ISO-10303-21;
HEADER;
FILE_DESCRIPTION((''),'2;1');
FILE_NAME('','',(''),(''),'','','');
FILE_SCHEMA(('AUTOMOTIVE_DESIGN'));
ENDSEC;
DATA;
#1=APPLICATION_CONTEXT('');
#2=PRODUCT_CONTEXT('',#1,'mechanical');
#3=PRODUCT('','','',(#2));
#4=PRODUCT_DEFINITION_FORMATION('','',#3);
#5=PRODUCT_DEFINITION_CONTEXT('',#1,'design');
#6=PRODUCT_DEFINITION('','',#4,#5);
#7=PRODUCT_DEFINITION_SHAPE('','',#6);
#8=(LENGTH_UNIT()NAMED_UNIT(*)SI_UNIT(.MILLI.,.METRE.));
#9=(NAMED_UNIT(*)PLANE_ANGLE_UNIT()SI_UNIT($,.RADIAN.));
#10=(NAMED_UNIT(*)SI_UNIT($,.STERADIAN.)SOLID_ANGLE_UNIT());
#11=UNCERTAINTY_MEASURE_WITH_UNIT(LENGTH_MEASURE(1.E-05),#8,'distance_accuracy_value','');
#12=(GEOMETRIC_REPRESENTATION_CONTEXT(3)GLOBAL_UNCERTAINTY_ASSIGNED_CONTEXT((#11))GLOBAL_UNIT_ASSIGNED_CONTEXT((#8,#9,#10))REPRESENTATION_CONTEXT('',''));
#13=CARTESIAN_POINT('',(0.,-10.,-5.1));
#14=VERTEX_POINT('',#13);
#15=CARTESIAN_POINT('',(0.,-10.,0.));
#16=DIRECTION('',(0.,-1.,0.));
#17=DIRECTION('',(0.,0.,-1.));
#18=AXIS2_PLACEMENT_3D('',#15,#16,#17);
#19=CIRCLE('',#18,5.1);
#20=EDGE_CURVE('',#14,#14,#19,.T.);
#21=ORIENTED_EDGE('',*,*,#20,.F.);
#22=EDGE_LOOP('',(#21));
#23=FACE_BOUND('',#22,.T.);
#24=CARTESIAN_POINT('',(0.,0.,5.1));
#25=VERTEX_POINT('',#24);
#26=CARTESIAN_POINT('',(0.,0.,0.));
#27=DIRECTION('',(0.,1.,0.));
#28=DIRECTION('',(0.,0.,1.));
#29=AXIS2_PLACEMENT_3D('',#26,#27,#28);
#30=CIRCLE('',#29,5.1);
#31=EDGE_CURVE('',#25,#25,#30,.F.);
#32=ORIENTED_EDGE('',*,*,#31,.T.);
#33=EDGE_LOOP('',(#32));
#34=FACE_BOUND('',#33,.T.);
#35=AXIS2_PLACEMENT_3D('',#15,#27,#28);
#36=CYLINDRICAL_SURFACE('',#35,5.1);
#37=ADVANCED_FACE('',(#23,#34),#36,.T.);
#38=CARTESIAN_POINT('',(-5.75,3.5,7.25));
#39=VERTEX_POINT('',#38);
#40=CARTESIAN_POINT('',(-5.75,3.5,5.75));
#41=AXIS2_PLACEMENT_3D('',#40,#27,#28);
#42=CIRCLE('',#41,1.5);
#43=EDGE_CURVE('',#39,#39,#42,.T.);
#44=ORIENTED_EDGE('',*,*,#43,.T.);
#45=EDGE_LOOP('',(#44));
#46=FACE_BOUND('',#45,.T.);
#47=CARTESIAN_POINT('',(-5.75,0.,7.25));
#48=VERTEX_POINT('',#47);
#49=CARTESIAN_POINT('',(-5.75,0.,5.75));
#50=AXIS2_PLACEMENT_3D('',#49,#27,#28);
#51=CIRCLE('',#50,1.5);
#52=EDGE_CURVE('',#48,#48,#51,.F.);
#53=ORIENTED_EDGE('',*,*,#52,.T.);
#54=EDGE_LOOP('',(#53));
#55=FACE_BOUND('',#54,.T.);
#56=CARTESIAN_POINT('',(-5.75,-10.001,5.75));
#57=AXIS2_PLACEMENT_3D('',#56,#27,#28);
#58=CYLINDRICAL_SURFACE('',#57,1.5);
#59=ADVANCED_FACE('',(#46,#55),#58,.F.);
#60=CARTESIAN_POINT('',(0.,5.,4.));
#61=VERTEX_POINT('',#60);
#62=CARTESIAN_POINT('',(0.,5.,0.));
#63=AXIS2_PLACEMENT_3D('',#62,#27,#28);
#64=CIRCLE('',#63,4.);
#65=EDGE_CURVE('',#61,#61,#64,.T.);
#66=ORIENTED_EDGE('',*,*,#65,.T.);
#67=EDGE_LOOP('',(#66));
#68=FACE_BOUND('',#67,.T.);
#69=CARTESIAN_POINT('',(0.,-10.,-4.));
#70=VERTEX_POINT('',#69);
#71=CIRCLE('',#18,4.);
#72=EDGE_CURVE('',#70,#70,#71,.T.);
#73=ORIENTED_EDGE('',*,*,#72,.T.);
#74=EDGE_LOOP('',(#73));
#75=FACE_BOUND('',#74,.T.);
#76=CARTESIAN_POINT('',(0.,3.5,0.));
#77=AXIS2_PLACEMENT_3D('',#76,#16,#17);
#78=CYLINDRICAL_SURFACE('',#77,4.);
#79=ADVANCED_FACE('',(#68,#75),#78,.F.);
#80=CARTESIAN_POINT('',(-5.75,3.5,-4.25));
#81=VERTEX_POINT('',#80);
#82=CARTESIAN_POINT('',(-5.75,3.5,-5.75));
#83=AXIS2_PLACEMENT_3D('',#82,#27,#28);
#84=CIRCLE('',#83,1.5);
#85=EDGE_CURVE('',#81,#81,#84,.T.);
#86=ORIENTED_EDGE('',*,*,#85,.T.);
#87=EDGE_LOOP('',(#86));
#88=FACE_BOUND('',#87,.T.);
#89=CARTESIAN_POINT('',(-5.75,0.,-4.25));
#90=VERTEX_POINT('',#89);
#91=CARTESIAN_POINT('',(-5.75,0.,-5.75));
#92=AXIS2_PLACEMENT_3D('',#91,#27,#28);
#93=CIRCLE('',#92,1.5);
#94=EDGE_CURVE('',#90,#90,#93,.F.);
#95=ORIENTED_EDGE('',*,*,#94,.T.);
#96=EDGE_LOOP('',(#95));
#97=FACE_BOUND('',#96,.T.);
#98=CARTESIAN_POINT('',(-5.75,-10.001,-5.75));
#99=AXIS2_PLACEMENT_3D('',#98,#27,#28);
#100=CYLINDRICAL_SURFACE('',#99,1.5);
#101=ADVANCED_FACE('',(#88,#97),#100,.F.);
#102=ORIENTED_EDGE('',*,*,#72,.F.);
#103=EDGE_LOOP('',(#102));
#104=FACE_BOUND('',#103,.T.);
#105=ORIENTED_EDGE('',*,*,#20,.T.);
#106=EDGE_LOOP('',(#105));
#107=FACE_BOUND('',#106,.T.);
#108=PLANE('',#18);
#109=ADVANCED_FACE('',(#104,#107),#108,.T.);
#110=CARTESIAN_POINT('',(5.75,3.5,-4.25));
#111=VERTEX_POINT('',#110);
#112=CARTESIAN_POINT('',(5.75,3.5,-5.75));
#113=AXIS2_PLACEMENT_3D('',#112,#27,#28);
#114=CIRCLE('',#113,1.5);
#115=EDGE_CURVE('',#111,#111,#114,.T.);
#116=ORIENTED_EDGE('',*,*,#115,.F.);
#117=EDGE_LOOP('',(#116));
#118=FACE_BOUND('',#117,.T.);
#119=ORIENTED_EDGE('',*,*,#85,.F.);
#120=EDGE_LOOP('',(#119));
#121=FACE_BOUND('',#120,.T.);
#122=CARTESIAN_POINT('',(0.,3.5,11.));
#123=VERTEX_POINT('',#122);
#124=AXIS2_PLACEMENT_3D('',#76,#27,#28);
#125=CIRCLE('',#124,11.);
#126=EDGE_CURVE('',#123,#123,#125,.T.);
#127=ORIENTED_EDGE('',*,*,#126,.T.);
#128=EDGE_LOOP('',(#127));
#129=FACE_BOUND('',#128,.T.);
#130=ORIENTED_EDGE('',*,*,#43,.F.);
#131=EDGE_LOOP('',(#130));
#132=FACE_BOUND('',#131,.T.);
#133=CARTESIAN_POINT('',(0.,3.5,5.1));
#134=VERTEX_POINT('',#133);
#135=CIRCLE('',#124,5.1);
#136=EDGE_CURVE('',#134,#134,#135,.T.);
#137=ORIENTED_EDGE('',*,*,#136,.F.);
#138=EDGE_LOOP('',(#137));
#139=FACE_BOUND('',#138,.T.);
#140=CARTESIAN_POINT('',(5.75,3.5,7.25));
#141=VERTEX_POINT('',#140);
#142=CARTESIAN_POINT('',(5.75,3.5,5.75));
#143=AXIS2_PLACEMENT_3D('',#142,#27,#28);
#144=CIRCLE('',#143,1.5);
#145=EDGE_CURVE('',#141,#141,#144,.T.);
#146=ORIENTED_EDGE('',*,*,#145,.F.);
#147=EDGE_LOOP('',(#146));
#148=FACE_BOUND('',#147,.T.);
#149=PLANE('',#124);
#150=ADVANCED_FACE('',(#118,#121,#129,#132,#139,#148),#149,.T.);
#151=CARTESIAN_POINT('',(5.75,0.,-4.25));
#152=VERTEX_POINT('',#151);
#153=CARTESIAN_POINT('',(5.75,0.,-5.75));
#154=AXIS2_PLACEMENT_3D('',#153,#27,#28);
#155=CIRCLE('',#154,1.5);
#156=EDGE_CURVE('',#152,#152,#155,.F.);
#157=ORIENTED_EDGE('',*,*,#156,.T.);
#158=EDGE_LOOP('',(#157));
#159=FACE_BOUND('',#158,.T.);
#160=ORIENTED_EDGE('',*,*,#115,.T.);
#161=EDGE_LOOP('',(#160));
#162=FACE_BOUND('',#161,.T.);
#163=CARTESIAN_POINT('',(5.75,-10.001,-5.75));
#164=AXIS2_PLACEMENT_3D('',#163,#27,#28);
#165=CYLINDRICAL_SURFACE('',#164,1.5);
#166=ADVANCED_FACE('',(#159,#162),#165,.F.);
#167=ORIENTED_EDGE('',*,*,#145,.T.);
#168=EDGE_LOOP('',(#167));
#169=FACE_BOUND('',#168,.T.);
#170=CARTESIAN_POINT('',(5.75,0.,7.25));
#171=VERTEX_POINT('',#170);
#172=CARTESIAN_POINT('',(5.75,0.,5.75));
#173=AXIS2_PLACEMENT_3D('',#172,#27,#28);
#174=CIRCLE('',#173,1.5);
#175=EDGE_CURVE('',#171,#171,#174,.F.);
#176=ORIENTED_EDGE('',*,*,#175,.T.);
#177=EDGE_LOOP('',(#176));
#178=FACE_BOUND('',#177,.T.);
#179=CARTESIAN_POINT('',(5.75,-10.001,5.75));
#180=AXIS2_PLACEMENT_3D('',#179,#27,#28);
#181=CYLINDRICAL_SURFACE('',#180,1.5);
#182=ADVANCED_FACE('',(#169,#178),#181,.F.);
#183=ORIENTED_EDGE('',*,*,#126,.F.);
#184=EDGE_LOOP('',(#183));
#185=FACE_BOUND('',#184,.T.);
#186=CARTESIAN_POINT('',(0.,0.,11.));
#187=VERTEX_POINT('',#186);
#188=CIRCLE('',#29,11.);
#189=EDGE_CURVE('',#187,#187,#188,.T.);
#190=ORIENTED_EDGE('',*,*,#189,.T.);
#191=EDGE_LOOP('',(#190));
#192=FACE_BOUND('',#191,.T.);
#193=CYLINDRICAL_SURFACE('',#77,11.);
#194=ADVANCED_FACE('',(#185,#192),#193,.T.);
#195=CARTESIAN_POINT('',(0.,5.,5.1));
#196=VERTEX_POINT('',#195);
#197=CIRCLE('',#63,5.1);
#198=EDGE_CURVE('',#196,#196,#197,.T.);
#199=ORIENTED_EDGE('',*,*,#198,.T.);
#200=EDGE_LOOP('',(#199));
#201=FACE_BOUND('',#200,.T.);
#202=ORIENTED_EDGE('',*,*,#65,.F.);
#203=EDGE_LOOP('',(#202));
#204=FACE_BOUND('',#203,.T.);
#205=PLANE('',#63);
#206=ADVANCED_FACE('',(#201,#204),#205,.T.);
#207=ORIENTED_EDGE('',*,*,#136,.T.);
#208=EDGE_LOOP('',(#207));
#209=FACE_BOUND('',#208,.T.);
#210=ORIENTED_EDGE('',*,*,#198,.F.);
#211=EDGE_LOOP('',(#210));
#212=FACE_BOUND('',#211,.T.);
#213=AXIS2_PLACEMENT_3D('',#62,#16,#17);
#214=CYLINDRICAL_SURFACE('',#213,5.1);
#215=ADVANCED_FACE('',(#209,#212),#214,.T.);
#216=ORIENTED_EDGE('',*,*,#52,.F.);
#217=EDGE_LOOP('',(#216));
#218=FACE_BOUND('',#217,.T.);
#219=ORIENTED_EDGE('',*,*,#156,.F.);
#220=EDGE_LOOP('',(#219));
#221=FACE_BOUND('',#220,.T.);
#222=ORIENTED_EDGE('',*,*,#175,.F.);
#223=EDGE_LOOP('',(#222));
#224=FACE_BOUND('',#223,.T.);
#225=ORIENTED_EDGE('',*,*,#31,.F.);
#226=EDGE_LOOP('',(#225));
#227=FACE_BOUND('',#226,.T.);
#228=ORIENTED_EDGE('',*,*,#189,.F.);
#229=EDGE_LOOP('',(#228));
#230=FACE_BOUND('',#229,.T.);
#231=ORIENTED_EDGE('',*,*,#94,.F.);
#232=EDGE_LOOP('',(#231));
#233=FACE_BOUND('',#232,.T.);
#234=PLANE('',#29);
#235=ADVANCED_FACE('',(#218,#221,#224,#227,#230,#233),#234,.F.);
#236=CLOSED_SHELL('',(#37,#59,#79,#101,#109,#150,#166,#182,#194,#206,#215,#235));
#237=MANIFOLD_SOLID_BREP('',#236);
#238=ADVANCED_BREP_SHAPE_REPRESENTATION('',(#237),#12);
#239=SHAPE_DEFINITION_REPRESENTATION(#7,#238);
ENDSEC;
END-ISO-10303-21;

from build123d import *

# Parameters (mm, degrees)
SKETCH1_R           = 11
SKETCH1_R_2         = 4
BOSS_EXTRUDE1_DEPTH = 3.5
SKETCH2_R           = 5.1
SKETCH2_R_2         = 4
BOSS_EXTRUDE2_DEPTH = 1.5
SKETCH3_R           = 5.1
SKETCH3_R_2         = 4
BOSS_EXTRUDE3_DEPTH = 10
CUT_EXTRUDE1_REACH  = 15.5
SKETCH4_R           = 1.5


with BuildPart() as part:
    # Sketch1 → Boss-Extrude1 (new body)
    with BuildSketch(Plane(origin=(0, 0, 0), x_dir=(1, 0, 0), z_dir=(0, 1, 0))):
        Circle(SKETCH1_R)
        Circle(SKETCH1_R_2, mode=Mode.SUBTRACT)
    extrude(amount=BOSS_EXTRUDE1_DEPTH)

    # Sketch2 → Boss-Extrude2 (add)
    with BuildSketch(Plane(origin=(0, 3.5, 0), x_dir=(1, 0, 0), z_dir=(0, 1, 0))):
        Circle(SKETCH2_R)
        Circle(SKETCH2_R_2, mode=Mode.SUBTRACT)
    extrude(amount=BOSS_EXTRUDE2_DEPTH)

    # Sketch3 → Boss-Extrude3 (add)
    with BuildSketch(Plane.XZ):
        Circle(SKETCH3_R)
        Circle(SKETCH3_R_2, mode=Mode.SUBTRACT)
    extrude(amount=BOSS_EXTRUDE3_DEPTH)

    # Sketch4 → Cut-Extrude1 (cut, up to next)
    with BuildSketch(Plane(origin=(0, 3.5, 0), x_dir=(1, 0, 0), z_dir=(0, 1, 0)), mode=Mode.PRIVATE) as cut_extrude1_sk1:
        with Locations((-5.75, 5.75)):
            Circle(SKETCH4_R)
    cut_extrude1_tool1 = extrude(cut_extrude1_sk1.sketch, amount=-CUT_EXTRUDE1_REACH, mode=Mode.PRIVATE) & part.part
    add(cut_extrude1_tool1.solids().sort_by_distance((-5.75, 3.5, -5.75))[0], mode=Mode.SUBTRACT)
    # Sketch4 → Cut-Extrude1 (cut, up to next)
    with BuildSketch(Plane(origin=(0, 3.5, 0), x_dir=(1, 0, 0), z_dir=(0, 1, 0)), mode=Mode.PRIVATE) as cut_extrude1_sk2:
        with Locations((5.75, 5.75)):
            Circle(SKETCH4_R)
    cut_extrude1_tool2 = extrude(cut_extrude1_sk2.sketch, amount=-CUT_EXTRUDE1_REACH, mode=Mode.PRIVATE) & part.part
    add(cut_extrude1_tool2.solids().sort_by_distance((5.75, 3.5, -5.75))[0], mode=Mode.SUBTRACT)
    # Sketch4 → Cut-Extrude1 (cut, up to next)
    with BuildSketch(Plane(origin=(0, 3.5, 0), x_dir=(1, 0, 0), z_dir=(0, 1, 0)), mode=Mode.PRIVATE) as cut_extrude1_sk3:
        with Locations((5.75, -5.75)):
            Circle(SKETCH4_R)
    cut_extrude1_tool3 = extrude(cut_extrude1_sk3.sketch, amount=-CUT_EXTRUDE1_REACH, mode=Mode.PRIVATE) & part.part
    add(cut_extrude1_tool3.solids().sort_by_distance((5.75, 3.5, 5.75))[0], mode=Mode.SUBTRACT)
    # Sketch4 → Cut-Extrude1 (cut, up to next)
    with BuildSketch(Plane(origin=(0, 3.5, 0), x_dir=(1, 0, 0), z_dir=(0, 1, 0)), mode=Mode.PRIVATE) as cut_extrude1_sk4:
        with Locations((-5.75, -5.75)):
            Circle(SKETCH4_R)
    cut_extrude1_tool4 = extrude(cut_extrude1_sk4.sketch, amount=-CUT_EXTRUDE1_REACH, mode=Mode.PRIVATE) & part.part
    add(cut_extrude1_tool4.solids().sort_by_distance((-5.75, 3.5, 5.75))[0], mode=Mode.SUBTRACT)


solid = part.part
